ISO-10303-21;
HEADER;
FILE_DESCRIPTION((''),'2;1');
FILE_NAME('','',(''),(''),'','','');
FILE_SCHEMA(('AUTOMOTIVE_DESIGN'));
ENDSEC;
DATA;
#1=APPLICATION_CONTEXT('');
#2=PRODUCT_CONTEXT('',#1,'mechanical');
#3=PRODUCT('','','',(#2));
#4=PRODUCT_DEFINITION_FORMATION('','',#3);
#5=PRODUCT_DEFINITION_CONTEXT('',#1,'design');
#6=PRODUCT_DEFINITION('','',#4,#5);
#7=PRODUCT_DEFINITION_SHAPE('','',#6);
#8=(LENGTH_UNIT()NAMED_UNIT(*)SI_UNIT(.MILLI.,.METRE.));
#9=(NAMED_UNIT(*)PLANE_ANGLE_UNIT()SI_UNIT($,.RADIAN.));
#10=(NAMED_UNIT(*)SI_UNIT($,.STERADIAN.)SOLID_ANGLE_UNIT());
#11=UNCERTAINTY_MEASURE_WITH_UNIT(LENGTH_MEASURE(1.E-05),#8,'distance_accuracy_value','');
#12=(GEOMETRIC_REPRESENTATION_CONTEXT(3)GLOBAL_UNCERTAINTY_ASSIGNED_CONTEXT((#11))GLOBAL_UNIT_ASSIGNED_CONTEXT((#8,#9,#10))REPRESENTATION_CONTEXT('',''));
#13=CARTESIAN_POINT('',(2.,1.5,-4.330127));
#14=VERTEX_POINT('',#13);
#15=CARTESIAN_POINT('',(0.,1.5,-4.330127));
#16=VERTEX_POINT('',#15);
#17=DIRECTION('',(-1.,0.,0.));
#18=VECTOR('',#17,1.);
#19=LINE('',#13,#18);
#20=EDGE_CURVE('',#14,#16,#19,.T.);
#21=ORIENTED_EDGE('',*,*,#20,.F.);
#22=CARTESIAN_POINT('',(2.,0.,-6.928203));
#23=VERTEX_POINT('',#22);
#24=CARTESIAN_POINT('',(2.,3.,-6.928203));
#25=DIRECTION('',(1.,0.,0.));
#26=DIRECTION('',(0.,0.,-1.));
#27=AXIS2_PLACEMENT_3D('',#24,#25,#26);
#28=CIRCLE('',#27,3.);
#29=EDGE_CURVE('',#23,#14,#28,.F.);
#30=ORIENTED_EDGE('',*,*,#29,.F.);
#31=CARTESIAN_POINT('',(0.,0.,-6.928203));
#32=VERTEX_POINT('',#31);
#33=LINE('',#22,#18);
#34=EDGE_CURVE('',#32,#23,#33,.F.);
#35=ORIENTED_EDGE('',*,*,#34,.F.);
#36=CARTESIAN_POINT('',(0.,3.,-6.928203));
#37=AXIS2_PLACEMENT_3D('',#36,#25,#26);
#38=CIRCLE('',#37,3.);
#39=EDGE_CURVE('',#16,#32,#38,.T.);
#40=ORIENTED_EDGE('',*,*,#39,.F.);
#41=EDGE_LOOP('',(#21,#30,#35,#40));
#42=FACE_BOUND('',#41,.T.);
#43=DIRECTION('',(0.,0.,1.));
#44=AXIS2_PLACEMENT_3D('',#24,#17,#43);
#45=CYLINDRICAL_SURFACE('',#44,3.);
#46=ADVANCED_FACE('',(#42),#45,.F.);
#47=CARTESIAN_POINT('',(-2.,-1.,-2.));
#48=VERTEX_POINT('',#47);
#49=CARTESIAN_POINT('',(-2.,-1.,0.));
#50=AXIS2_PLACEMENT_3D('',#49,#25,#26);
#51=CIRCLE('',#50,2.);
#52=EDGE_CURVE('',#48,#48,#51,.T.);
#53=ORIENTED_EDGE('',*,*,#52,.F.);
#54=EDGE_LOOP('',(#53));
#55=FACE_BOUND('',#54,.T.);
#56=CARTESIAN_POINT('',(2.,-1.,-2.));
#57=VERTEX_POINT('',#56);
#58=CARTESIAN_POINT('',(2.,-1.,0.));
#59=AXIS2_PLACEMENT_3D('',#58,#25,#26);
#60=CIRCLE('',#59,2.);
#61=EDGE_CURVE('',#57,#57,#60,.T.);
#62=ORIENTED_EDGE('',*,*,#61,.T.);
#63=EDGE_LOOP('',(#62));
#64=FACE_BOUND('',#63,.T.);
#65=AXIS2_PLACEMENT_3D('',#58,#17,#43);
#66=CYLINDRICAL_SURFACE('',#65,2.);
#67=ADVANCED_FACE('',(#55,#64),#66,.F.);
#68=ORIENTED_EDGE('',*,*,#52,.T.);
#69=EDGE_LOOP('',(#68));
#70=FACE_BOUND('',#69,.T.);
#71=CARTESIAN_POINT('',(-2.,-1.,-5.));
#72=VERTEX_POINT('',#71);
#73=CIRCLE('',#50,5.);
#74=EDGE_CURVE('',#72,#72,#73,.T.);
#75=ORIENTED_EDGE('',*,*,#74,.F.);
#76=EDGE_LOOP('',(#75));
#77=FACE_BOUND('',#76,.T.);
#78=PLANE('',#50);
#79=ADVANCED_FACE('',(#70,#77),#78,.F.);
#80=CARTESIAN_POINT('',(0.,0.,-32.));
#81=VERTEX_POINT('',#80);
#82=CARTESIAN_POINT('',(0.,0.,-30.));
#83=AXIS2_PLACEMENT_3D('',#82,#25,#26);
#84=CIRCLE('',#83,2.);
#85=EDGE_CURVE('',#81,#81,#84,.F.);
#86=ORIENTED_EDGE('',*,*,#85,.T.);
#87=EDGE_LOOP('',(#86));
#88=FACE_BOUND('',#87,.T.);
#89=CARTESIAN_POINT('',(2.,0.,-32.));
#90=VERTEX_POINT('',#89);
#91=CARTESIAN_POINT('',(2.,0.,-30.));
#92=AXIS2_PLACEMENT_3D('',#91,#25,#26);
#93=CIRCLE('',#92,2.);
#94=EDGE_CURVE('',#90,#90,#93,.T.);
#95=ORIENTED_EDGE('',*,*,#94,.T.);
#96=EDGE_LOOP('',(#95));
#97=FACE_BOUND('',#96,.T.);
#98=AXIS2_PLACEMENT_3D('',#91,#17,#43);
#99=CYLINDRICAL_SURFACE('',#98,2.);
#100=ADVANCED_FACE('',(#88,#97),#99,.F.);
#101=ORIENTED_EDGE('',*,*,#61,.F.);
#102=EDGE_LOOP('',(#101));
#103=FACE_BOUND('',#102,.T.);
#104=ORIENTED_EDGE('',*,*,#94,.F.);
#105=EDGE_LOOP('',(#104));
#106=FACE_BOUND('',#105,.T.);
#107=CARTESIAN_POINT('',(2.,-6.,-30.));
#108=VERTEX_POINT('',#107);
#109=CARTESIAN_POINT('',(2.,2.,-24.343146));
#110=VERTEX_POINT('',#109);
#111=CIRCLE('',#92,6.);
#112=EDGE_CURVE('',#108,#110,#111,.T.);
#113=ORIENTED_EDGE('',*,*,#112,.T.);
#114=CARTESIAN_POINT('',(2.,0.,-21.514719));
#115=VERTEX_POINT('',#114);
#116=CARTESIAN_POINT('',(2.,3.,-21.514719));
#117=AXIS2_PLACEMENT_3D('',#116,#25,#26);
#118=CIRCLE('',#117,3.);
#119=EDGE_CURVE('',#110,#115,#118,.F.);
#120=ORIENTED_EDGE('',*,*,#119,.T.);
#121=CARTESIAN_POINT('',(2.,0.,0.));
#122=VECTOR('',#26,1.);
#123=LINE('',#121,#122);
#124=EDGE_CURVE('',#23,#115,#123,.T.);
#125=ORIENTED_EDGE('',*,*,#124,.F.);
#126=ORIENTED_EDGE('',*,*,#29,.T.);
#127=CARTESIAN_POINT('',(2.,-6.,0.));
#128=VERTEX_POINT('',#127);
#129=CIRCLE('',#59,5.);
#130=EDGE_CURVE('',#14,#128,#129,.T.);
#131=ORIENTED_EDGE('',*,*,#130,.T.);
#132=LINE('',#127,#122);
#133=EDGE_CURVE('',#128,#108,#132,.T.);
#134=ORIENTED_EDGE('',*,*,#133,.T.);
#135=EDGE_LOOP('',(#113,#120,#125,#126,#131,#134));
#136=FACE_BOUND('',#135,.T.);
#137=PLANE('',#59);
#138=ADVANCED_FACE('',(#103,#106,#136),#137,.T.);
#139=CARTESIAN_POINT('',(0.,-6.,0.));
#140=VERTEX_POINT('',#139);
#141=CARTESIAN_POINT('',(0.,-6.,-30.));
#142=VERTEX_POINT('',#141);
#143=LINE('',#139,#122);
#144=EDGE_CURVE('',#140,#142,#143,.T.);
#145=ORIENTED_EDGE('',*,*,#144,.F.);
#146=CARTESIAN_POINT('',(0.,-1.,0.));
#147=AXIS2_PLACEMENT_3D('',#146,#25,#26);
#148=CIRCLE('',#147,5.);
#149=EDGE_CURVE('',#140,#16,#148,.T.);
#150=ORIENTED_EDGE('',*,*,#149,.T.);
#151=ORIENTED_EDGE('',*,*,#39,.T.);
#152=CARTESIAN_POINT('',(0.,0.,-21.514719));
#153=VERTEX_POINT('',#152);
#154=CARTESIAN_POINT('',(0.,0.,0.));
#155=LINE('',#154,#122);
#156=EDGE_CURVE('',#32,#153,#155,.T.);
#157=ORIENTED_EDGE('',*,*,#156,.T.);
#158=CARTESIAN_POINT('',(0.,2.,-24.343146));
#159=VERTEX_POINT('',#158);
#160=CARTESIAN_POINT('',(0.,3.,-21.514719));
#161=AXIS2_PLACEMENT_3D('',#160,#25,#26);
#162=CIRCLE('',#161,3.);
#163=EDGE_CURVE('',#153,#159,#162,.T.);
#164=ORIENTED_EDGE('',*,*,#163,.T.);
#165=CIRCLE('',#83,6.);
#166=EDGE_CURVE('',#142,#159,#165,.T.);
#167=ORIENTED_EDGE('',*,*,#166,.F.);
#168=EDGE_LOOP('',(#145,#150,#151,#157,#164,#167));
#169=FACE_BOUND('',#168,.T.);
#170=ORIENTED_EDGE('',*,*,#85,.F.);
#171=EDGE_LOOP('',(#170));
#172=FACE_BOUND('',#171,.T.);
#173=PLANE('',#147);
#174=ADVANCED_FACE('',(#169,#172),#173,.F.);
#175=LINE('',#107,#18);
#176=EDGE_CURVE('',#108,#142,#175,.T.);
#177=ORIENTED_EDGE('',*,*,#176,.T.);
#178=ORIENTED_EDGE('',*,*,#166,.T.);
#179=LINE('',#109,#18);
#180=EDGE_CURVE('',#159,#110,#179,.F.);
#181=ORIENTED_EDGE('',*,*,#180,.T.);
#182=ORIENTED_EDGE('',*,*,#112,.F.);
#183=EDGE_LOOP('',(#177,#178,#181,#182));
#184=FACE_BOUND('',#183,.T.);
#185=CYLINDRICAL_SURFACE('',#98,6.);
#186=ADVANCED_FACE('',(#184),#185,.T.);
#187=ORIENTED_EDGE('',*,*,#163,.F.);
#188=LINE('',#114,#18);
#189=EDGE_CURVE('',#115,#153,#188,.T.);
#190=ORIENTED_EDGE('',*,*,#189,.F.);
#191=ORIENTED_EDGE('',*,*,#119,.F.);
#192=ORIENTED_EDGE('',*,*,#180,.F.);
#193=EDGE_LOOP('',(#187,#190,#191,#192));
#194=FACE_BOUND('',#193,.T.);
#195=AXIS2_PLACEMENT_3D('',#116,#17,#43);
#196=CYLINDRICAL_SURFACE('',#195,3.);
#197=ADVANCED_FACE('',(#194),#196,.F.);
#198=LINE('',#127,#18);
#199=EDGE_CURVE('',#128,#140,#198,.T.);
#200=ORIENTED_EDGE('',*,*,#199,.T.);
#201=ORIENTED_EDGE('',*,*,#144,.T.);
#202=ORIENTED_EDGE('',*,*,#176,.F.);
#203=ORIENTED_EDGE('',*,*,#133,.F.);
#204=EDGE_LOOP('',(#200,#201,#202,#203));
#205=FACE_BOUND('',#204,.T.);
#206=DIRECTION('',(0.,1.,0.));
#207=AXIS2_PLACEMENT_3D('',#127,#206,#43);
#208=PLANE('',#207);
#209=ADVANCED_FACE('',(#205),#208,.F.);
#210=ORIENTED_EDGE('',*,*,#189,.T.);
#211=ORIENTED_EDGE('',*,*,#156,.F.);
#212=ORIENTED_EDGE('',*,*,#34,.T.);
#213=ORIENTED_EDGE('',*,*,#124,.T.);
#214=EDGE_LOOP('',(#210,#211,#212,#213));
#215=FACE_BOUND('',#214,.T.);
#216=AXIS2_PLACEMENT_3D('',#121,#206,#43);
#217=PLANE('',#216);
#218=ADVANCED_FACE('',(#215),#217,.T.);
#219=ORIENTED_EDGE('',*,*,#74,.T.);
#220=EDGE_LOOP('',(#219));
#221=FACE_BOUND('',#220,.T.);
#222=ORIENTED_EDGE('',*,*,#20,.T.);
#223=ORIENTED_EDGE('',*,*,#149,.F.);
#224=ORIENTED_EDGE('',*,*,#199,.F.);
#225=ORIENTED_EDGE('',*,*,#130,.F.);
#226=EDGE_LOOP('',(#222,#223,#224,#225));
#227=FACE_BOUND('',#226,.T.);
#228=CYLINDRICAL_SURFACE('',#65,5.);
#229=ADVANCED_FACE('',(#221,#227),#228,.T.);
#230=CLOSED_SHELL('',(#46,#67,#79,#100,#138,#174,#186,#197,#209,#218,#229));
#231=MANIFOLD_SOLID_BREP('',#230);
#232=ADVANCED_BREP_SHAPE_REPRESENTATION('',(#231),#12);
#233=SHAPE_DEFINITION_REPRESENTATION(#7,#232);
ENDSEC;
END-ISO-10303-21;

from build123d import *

# Parameters (mm, degrees)
SKETCH_1_R               = 5
SKETCH_1_R_2             = 6
SKETCH_1_W               = 30
SKETCH_1_H               = 6
EXTRUDE_1_DEPTH          = 2
EXTRUDE_START            = -2
SKETCH_1_5_R             = 5
EXTRUDE_3_DEPTH          = 2
CUT_EXTRUDE_2_DEPTH      = 37.551333765
CUT_EXTRUDE_2_DEPTH_BACK = 37.551333765
SKETCH_1_4_R             = 2
FILLET_1_R               = 3


with BuildPart() as part:
    # 草图1 → 凸台-拉伸1 (new body)
    with BuildSketch(Plane(origin=(0, 0, 0), x_dir=(0, 0, -1), z_dir=(1, 0, 0))):
        with Locations((0, -1)):
            Circle(SKETCH_1_R)
        with Locations((30, 0)):
            Circle(SKETCH_1_R_2)
        with Locations((15, -3)):
            Rectangle(SKETCH_1_W, SKETCH_1_H)
    extrude(amount=EXTRUDE_1_DEPTH)

    # 草图1<5> → 凸台-拉伸3 (add)
    with BuildSketch(Plane(origin=(0, 0, 0), x_dir=(0, 0, -1), z_dir=(1, 0, 0)).offset(EXTRUDE_START)):
        with Locations((0, -1)):
            Circle(SKETCH_1_5_R)
    extrude(amount=EXTRUDE_3_DEPTH)

    # 草图1<4> → 切除-拉伸2 (cut, two sides: drawn at the far end of the back side and taken through both)
    with BuildSketch(Plane(origin=(0, 0, 0), x_dir=(0, 0, -1), z_dir=(1, 0, 0)).offset(-CUT_EXTRUDE_2_DEPTH_BACK)):
        with Locations((0, -1)):
            Circle(SKETCH_1_4_R)
        with Locations((30, 0)):
            Circle(SKETCH_1_4_R)
    extrude(amount=CUT_EXTRUDE_2_DEPTH + CUT_EXTRUDE_2_DEPTH_BACK, mode=Mode.SUBTRACT)

    # 圆角1
    fillet_1_edges = [part.edges().sort_by_distance(p)[0] for p in [
        (1, 0, -24),
        (1, 0, -4.898979486),
    ]]
    fillet(fillet_1_edges, radius=FILLET_1_R)


solid = part.part
